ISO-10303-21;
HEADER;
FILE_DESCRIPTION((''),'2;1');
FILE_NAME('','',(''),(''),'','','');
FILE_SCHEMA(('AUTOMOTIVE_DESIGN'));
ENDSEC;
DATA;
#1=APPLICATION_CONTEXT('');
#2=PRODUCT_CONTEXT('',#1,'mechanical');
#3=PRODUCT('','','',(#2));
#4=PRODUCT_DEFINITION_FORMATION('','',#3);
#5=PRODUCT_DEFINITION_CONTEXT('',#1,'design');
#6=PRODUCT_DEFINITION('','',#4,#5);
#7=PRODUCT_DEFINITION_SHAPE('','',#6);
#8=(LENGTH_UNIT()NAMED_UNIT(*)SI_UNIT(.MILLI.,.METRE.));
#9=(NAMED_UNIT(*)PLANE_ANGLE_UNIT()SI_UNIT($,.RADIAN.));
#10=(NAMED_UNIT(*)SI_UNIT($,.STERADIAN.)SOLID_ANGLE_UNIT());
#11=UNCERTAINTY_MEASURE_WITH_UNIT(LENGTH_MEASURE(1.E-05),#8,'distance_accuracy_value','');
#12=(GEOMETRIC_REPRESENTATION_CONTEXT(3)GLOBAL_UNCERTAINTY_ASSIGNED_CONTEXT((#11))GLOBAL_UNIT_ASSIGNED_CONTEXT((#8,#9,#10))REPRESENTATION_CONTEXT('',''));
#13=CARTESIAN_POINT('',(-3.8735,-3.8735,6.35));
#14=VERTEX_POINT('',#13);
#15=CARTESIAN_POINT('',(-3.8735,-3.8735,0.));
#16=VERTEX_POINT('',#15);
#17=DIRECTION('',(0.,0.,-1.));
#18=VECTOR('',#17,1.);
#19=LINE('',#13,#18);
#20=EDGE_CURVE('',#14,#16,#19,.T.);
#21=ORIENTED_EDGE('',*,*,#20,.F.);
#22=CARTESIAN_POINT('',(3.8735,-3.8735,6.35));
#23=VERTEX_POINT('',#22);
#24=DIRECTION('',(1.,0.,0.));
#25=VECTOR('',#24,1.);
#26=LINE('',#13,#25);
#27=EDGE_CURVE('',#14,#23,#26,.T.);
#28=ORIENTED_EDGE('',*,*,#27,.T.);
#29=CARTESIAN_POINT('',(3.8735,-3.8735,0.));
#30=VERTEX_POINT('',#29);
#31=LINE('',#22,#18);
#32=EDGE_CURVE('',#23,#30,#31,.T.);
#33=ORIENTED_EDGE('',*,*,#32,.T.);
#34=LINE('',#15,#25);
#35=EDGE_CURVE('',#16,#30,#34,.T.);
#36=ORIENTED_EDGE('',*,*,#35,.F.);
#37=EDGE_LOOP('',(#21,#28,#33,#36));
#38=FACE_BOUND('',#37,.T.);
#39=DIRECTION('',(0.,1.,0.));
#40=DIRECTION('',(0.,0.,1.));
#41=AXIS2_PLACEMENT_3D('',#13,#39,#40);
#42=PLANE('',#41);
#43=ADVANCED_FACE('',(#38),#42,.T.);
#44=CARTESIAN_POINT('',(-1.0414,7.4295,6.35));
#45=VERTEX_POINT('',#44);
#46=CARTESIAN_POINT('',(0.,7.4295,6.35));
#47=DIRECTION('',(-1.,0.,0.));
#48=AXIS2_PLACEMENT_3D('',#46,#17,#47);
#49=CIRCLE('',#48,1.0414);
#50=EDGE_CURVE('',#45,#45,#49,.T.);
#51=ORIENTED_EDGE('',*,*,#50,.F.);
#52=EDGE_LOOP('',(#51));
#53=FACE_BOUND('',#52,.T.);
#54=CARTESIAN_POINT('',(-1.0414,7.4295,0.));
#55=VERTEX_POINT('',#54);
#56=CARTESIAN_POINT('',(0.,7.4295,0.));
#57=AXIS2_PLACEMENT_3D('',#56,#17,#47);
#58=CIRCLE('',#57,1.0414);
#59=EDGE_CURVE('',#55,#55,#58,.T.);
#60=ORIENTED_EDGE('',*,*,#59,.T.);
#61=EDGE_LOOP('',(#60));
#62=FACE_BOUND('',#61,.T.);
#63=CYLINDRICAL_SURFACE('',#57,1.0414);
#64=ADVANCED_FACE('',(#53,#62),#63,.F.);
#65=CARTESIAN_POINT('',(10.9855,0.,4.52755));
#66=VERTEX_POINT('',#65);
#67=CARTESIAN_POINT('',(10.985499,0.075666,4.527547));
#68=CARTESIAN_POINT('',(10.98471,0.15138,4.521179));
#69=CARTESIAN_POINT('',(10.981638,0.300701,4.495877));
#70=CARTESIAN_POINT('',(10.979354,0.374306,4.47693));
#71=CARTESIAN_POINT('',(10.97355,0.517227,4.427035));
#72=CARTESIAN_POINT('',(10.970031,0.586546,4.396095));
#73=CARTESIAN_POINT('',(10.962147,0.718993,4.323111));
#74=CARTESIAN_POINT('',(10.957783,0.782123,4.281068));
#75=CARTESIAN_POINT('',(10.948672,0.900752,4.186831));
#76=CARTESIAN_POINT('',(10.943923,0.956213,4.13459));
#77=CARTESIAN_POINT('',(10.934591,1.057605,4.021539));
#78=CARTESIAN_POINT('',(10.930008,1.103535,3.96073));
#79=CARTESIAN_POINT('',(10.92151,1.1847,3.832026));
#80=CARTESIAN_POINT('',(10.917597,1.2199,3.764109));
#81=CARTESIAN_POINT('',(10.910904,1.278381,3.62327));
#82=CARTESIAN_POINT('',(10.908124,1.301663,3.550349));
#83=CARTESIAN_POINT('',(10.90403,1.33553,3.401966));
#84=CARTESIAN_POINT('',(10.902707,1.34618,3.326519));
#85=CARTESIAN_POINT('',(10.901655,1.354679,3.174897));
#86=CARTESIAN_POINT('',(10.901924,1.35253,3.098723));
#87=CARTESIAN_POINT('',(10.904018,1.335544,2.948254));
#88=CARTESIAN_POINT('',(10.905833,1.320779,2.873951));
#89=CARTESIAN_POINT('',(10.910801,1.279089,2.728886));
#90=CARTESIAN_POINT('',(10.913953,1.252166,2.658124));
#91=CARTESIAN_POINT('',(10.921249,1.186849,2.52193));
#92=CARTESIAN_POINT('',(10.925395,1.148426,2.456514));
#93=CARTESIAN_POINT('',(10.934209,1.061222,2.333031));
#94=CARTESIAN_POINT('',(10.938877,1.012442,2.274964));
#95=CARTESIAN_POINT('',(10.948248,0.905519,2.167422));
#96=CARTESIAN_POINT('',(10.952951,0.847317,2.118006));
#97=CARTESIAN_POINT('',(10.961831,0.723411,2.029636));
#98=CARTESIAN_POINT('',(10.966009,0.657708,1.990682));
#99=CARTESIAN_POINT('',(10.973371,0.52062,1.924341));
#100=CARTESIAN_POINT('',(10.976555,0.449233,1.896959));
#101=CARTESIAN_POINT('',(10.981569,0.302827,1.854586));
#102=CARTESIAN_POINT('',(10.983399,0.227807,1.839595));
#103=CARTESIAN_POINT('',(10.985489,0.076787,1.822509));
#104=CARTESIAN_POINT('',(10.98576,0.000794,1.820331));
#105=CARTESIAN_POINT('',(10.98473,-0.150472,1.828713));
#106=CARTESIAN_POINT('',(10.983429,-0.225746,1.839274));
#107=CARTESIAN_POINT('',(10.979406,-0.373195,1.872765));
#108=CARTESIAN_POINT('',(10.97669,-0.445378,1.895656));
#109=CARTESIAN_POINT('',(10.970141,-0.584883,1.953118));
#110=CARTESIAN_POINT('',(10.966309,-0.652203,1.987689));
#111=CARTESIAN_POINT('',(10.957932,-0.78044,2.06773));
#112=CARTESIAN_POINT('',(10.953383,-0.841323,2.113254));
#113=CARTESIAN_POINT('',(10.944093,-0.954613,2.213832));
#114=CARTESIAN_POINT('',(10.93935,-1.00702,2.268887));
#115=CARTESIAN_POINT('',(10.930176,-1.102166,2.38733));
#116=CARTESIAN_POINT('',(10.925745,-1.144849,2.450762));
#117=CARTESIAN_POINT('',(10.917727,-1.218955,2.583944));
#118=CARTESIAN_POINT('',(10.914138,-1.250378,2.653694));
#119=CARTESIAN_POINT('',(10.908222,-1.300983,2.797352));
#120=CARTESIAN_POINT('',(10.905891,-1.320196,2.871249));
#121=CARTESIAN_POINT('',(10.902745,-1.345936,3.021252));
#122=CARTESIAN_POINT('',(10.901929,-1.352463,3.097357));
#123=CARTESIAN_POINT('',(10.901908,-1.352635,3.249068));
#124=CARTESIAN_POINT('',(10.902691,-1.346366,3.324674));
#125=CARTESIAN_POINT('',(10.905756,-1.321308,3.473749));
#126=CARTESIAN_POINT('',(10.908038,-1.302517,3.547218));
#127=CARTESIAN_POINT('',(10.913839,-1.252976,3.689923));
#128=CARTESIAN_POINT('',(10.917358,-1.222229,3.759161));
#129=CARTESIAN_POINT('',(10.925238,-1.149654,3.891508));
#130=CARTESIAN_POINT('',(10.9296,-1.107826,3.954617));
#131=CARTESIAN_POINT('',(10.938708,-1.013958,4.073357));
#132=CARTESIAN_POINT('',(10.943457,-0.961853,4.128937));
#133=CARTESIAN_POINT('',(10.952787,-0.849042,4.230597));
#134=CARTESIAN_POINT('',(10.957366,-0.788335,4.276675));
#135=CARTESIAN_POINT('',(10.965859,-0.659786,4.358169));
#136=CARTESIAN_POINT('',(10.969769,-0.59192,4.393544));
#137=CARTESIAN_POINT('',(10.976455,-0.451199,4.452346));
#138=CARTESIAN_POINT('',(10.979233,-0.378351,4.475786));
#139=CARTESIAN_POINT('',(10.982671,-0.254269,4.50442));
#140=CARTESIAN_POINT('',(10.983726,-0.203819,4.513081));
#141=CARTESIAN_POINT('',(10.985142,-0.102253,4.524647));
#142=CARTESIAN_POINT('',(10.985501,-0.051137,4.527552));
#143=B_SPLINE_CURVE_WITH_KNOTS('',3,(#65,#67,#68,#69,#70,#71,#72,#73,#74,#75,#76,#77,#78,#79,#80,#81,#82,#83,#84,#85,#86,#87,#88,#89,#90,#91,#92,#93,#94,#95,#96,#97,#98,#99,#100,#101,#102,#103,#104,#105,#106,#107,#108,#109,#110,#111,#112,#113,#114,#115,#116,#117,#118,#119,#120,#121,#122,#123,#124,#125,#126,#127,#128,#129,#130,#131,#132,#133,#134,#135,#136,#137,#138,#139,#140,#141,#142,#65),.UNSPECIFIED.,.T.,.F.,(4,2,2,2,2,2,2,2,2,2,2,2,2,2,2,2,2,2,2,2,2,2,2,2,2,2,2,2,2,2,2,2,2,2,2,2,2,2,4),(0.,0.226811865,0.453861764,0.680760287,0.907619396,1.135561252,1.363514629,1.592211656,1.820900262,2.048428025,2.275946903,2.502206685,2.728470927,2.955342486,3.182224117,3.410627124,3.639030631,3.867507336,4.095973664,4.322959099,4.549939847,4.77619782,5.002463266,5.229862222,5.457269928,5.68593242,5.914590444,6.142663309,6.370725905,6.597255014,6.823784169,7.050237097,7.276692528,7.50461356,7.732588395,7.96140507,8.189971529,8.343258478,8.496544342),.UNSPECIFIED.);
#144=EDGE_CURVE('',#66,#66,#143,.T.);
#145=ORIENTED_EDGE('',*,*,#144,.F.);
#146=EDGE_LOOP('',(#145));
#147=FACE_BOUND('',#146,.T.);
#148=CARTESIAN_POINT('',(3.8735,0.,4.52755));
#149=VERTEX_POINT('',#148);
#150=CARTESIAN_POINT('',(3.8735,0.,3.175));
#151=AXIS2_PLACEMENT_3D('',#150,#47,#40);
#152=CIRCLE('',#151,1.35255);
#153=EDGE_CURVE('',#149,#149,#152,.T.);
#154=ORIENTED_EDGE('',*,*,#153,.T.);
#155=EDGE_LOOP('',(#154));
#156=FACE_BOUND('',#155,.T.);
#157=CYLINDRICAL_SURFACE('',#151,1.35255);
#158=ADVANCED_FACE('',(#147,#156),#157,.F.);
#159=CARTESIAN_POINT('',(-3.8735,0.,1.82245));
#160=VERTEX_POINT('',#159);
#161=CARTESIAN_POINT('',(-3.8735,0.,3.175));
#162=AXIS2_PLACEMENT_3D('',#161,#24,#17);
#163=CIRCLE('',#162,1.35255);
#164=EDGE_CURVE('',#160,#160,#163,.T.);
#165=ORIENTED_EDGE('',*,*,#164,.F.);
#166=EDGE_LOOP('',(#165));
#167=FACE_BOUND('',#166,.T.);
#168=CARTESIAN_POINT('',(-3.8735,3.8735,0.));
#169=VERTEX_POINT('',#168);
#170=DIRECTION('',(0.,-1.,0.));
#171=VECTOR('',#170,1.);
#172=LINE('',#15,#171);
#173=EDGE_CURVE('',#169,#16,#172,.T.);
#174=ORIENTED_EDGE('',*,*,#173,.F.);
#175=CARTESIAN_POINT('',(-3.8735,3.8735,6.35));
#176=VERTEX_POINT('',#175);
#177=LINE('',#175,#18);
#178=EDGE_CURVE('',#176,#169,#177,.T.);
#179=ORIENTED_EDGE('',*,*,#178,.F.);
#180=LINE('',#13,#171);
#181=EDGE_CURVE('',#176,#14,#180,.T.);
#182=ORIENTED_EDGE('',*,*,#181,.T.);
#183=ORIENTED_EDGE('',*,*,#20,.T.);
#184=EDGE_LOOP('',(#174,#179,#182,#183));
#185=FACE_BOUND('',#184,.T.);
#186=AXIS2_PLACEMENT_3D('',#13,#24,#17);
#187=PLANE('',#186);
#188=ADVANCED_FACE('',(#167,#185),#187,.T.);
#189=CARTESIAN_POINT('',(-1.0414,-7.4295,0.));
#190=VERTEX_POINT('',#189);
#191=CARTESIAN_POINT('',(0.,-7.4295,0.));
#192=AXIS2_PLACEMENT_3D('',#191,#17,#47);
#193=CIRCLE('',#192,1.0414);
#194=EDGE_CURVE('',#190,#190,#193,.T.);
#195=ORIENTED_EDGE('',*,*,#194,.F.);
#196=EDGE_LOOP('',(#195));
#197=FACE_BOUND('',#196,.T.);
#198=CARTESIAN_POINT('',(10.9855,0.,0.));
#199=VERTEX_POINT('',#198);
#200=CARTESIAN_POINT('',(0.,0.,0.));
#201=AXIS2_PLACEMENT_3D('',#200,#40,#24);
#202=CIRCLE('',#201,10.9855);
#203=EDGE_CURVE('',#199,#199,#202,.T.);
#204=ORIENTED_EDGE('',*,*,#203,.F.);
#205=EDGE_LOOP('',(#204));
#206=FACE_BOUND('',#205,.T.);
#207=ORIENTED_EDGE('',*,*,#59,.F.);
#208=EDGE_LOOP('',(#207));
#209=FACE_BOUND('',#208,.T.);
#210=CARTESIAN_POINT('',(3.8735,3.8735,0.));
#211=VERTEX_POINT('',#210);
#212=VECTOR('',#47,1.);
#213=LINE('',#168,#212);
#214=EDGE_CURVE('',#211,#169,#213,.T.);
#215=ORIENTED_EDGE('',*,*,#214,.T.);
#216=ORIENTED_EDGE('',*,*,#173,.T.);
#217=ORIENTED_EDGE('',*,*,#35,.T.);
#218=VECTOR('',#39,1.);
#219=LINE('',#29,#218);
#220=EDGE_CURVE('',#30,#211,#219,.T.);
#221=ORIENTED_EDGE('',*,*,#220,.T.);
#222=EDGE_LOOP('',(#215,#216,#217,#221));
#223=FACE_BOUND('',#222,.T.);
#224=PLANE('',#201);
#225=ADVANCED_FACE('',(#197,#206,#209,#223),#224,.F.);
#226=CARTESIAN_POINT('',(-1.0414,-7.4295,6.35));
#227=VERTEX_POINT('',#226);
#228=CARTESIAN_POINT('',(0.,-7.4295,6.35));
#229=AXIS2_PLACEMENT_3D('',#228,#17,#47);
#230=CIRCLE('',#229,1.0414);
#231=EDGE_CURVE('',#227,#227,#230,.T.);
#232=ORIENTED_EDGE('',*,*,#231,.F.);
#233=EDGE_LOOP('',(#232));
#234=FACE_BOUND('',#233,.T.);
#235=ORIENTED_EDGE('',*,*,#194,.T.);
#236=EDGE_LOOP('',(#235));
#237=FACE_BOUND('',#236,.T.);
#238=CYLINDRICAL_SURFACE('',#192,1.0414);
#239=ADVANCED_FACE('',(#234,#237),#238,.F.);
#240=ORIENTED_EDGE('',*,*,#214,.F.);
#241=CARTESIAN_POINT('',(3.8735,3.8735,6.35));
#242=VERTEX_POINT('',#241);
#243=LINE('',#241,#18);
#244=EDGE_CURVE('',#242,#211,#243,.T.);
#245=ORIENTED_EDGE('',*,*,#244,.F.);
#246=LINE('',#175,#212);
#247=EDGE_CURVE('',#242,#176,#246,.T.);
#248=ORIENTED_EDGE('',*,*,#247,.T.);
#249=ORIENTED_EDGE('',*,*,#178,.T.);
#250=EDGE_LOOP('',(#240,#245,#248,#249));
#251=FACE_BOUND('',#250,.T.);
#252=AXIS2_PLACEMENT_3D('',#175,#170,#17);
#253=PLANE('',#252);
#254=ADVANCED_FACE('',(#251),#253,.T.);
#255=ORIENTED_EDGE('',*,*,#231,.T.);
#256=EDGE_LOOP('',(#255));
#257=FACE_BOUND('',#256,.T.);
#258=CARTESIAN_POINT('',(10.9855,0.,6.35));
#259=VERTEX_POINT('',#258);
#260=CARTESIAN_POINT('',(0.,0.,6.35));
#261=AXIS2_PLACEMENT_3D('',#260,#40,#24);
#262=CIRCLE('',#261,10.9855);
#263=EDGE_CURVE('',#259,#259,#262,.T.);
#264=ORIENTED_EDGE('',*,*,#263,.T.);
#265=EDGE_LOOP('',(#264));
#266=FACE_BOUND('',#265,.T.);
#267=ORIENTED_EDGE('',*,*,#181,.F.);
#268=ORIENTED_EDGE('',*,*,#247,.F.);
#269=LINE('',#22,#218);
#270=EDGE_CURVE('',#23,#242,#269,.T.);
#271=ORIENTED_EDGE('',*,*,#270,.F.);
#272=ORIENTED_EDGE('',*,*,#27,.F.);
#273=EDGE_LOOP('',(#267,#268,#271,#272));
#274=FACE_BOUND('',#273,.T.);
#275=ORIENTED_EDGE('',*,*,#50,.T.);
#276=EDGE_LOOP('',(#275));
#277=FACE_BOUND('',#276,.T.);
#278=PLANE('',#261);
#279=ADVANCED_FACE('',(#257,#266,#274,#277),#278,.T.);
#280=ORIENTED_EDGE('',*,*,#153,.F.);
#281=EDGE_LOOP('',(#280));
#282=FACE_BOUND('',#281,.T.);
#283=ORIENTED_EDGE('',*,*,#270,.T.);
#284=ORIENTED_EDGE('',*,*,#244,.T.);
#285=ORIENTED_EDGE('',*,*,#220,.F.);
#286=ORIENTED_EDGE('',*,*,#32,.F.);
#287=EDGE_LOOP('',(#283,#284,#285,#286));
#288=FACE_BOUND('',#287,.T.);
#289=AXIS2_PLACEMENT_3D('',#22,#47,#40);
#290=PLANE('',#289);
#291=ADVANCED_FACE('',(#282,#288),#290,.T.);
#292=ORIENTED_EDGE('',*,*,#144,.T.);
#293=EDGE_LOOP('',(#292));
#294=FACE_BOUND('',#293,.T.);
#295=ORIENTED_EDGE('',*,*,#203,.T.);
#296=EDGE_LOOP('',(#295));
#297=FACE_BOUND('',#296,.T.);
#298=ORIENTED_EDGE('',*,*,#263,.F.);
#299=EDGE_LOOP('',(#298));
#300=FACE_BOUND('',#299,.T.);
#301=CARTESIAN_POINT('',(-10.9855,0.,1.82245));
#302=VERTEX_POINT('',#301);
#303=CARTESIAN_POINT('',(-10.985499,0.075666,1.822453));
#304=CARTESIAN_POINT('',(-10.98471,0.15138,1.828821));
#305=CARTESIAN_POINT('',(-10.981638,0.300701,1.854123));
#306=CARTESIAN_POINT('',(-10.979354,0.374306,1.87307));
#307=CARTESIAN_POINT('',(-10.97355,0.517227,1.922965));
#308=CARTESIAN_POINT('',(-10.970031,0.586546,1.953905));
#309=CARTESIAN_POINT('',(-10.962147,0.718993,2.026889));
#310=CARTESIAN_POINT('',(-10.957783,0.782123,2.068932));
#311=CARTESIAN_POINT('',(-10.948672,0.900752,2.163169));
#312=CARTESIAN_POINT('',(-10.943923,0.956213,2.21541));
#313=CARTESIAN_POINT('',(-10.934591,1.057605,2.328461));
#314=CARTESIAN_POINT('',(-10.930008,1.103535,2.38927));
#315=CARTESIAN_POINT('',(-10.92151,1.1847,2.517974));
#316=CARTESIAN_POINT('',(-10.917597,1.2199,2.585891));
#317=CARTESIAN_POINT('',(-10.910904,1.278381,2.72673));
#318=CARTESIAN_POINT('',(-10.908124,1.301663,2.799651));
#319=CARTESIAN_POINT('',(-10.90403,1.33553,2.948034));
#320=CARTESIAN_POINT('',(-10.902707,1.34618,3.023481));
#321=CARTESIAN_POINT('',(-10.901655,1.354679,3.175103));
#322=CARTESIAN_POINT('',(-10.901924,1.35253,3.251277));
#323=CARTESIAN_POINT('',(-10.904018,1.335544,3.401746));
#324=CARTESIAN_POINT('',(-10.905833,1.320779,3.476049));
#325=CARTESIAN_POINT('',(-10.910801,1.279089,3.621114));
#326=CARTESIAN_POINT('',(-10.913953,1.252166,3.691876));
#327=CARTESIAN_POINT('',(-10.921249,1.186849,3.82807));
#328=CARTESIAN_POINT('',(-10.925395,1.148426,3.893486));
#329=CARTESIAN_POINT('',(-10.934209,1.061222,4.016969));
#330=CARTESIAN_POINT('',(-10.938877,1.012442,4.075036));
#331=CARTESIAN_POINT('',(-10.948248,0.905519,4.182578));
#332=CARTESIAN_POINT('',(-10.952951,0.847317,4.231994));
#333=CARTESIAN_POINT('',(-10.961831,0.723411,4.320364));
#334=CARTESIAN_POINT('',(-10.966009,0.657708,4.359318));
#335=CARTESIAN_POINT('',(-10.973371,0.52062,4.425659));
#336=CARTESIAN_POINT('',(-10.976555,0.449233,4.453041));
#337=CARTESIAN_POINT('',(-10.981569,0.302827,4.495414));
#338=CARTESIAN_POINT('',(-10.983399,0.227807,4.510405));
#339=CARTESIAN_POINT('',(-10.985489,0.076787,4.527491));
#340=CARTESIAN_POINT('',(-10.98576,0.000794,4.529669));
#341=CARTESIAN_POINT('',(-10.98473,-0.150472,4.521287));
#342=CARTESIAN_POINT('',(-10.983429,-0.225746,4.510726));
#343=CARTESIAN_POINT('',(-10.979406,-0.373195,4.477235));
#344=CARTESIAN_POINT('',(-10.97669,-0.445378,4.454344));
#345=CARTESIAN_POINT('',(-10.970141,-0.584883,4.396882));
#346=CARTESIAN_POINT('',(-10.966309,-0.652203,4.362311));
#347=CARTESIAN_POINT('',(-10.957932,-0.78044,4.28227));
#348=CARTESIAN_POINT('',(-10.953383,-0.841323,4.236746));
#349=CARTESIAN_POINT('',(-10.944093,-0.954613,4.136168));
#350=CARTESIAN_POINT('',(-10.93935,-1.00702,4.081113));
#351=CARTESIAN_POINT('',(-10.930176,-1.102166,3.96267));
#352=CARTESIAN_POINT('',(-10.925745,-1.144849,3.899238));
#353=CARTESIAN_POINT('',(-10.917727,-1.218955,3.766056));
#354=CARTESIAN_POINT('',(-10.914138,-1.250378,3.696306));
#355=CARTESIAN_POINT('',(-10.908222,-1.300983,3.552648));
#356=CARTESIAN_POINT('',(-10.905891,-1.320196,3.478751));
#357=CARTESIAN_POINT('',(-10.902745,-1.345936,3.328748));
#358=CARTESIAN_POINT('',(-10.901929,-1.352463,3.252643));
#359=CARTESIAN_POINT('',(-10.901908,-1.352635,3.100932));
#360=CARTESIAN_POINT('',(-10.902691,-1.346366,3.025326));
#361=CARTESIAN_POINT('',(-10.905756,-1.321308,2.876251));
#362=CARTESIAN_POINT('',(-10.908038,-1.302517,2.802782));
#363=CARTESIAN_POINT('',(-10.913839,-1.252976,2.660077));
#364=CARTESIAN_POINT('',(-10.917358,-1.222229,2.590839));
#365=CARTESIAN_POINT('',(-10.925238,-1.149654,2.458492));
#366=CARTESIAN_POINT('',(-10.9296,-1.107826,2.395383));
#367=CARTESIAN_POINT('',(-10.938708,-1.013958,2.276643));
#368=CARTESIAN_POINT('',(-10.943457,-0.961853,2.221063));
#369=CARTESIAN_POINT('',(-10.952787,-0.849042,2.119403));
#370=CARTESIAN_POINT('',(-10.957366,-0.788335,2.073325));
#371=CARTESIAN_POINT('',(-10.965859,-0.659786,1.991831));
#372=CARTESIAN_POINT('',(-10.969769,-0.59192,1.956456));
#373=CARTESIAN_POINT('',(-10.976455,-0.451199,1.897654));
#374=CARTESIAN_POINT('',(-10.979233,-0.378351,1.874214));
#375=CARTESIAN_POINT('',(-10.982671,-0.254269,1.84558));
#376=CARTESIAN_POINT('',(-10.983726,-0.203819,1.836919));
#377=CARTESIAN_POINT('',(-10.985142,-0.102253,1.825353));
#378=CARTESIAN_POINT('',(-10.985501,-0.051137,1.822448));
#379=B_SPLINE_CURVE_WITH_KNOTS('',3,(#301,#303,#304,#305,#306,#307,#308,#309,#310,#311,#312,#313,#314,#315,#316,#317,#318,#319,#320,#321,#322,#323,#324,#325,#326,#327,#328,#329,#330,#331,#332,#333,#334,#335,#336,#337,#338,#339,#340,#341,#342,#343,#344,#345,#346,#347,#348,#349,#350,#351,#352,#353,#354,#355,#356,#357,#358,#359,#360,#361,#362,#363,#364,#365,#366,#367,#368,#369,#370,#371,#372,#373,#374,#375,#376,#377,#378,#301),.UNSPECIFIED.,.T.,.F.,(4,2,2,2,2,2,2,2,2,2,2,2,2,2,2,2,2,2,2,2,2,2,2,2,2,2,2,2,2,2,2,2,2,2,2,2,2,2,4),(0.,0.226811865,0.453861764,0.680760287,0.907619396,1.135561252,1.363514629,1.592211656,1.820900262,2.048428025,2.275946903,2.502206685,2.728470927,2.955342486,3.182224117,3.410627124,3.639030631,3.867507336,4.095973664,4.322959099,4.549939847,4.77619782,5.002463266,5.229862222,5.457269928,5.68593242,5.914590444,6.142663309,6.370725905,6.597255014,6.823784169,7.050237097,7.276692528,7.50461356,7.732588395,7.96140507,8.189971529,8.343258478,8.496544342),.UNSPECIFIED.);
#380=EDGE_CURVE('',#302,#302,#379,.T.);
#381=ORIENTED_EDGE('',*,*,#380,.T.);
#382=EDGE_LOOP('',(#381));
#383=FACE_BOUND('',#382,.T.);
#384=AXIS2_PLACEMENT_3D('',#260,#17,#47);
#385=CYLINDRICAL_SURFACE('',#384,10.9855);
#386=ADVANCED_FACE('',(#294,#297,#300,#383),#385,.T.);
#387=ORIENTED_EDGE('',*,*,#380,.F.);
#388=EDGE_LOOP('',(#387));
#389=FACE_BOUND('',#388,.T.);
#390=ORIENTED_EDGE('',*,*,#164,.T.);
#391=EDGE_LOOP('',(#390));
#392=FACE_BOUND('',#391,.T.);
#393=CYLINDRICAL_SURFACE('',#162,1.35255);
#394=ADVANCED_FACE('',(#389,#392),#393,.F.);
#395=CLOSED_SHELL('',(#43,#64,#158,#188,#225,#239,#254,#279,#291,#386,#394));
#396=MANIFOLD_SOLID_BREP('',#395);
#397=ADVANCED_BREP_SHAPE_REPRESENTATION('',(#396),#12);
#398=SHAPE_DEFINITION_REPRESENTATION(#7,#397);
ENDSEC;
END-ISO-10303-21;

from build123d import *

# Parameters (mm, degrees)
SKETCH1_R                           = 10.9855
SKETCH1_W                           = 7.747
SKETCH1_H                           = 7.747
BOSS_EXTRUDE1_DEPTH                 = 6.35
F_6_32_TAPPED_HOLE1_D               = 2.7051
F_6_32_TAPPED_HOLE1_DEPTH           = 7.112
F_6_32_TAPPED_HOLE1_ON_FACE_2_D     = 2.7051
F_6_32_TAPPED_HOLE1_ON_FACE_2_DEPTH = 7.112
F_6_32_TAPPED_HOLE2_D               = 2.7051
F_45_0_082_DIAMETER_HOLE1_D         = 2.0828


with BuildPart() as part:
    # Sketch1 → Boss-Extrude1 (new body)
    with BuildSketch(Plane.XY):
        Circle(SKETCH1_R)
        Rectangle(SKETCH1_W, SKETCH1_H, mode=Mode.SUBTRACT)
    extrude(amount=BOSS_EXTRUDE1_DEPTH)

    # #6-32 Tapped Hole1
    with Locations(Plane(origin=(10.9855, 0, 3.175), x_dir=(0, 0, 1), z_dir=(1, 0, 0))):
        with Locations((0, 0)):
            Hole(F_6_32_TAPPED_HOLE1_D / 2, depth=F_6_32_TAPPED_HOLE1_DEPTH)

    # #6-32 Tapped Hole1 on face 2
    with Locations(Plane(origin=(3.8735, 0, 3.175), x_dir=(0, 0, -1), z_dir=(-1, 0, 0))):
        with Locations((0, 0)):
            Hole(F_6_32_TAPPED_HOLE1_ON_FACE_2_D / 2, depth=F_6_32_TAPPED_HOLE1_ON_FACE_2_DEPTH)

    # #6-32 Tapped Hole2 (through all)
    with Locations(Plane(origin=(-3.8735, 0, 0), x_dir=(0, 0, -1), z_dir=(1, 0, 0))):
        with Locations((-3.175, 0)):
            Hole(F_6_32_TAPPED_HOLE2_D / 2)

    # #45 (0.082) Diameter Hole1 (through all)
    with Locations(Plane(origin=(0, 0, 0), x_dir=(-1, 0, 0), z_dir=(0, 0, -1))):
        with Locations((0, -7.4295), (0, 7.4295)):
            Hole(F_45_0_082_DIAMETER_HOLE1_D / 2)


solid = part.part
